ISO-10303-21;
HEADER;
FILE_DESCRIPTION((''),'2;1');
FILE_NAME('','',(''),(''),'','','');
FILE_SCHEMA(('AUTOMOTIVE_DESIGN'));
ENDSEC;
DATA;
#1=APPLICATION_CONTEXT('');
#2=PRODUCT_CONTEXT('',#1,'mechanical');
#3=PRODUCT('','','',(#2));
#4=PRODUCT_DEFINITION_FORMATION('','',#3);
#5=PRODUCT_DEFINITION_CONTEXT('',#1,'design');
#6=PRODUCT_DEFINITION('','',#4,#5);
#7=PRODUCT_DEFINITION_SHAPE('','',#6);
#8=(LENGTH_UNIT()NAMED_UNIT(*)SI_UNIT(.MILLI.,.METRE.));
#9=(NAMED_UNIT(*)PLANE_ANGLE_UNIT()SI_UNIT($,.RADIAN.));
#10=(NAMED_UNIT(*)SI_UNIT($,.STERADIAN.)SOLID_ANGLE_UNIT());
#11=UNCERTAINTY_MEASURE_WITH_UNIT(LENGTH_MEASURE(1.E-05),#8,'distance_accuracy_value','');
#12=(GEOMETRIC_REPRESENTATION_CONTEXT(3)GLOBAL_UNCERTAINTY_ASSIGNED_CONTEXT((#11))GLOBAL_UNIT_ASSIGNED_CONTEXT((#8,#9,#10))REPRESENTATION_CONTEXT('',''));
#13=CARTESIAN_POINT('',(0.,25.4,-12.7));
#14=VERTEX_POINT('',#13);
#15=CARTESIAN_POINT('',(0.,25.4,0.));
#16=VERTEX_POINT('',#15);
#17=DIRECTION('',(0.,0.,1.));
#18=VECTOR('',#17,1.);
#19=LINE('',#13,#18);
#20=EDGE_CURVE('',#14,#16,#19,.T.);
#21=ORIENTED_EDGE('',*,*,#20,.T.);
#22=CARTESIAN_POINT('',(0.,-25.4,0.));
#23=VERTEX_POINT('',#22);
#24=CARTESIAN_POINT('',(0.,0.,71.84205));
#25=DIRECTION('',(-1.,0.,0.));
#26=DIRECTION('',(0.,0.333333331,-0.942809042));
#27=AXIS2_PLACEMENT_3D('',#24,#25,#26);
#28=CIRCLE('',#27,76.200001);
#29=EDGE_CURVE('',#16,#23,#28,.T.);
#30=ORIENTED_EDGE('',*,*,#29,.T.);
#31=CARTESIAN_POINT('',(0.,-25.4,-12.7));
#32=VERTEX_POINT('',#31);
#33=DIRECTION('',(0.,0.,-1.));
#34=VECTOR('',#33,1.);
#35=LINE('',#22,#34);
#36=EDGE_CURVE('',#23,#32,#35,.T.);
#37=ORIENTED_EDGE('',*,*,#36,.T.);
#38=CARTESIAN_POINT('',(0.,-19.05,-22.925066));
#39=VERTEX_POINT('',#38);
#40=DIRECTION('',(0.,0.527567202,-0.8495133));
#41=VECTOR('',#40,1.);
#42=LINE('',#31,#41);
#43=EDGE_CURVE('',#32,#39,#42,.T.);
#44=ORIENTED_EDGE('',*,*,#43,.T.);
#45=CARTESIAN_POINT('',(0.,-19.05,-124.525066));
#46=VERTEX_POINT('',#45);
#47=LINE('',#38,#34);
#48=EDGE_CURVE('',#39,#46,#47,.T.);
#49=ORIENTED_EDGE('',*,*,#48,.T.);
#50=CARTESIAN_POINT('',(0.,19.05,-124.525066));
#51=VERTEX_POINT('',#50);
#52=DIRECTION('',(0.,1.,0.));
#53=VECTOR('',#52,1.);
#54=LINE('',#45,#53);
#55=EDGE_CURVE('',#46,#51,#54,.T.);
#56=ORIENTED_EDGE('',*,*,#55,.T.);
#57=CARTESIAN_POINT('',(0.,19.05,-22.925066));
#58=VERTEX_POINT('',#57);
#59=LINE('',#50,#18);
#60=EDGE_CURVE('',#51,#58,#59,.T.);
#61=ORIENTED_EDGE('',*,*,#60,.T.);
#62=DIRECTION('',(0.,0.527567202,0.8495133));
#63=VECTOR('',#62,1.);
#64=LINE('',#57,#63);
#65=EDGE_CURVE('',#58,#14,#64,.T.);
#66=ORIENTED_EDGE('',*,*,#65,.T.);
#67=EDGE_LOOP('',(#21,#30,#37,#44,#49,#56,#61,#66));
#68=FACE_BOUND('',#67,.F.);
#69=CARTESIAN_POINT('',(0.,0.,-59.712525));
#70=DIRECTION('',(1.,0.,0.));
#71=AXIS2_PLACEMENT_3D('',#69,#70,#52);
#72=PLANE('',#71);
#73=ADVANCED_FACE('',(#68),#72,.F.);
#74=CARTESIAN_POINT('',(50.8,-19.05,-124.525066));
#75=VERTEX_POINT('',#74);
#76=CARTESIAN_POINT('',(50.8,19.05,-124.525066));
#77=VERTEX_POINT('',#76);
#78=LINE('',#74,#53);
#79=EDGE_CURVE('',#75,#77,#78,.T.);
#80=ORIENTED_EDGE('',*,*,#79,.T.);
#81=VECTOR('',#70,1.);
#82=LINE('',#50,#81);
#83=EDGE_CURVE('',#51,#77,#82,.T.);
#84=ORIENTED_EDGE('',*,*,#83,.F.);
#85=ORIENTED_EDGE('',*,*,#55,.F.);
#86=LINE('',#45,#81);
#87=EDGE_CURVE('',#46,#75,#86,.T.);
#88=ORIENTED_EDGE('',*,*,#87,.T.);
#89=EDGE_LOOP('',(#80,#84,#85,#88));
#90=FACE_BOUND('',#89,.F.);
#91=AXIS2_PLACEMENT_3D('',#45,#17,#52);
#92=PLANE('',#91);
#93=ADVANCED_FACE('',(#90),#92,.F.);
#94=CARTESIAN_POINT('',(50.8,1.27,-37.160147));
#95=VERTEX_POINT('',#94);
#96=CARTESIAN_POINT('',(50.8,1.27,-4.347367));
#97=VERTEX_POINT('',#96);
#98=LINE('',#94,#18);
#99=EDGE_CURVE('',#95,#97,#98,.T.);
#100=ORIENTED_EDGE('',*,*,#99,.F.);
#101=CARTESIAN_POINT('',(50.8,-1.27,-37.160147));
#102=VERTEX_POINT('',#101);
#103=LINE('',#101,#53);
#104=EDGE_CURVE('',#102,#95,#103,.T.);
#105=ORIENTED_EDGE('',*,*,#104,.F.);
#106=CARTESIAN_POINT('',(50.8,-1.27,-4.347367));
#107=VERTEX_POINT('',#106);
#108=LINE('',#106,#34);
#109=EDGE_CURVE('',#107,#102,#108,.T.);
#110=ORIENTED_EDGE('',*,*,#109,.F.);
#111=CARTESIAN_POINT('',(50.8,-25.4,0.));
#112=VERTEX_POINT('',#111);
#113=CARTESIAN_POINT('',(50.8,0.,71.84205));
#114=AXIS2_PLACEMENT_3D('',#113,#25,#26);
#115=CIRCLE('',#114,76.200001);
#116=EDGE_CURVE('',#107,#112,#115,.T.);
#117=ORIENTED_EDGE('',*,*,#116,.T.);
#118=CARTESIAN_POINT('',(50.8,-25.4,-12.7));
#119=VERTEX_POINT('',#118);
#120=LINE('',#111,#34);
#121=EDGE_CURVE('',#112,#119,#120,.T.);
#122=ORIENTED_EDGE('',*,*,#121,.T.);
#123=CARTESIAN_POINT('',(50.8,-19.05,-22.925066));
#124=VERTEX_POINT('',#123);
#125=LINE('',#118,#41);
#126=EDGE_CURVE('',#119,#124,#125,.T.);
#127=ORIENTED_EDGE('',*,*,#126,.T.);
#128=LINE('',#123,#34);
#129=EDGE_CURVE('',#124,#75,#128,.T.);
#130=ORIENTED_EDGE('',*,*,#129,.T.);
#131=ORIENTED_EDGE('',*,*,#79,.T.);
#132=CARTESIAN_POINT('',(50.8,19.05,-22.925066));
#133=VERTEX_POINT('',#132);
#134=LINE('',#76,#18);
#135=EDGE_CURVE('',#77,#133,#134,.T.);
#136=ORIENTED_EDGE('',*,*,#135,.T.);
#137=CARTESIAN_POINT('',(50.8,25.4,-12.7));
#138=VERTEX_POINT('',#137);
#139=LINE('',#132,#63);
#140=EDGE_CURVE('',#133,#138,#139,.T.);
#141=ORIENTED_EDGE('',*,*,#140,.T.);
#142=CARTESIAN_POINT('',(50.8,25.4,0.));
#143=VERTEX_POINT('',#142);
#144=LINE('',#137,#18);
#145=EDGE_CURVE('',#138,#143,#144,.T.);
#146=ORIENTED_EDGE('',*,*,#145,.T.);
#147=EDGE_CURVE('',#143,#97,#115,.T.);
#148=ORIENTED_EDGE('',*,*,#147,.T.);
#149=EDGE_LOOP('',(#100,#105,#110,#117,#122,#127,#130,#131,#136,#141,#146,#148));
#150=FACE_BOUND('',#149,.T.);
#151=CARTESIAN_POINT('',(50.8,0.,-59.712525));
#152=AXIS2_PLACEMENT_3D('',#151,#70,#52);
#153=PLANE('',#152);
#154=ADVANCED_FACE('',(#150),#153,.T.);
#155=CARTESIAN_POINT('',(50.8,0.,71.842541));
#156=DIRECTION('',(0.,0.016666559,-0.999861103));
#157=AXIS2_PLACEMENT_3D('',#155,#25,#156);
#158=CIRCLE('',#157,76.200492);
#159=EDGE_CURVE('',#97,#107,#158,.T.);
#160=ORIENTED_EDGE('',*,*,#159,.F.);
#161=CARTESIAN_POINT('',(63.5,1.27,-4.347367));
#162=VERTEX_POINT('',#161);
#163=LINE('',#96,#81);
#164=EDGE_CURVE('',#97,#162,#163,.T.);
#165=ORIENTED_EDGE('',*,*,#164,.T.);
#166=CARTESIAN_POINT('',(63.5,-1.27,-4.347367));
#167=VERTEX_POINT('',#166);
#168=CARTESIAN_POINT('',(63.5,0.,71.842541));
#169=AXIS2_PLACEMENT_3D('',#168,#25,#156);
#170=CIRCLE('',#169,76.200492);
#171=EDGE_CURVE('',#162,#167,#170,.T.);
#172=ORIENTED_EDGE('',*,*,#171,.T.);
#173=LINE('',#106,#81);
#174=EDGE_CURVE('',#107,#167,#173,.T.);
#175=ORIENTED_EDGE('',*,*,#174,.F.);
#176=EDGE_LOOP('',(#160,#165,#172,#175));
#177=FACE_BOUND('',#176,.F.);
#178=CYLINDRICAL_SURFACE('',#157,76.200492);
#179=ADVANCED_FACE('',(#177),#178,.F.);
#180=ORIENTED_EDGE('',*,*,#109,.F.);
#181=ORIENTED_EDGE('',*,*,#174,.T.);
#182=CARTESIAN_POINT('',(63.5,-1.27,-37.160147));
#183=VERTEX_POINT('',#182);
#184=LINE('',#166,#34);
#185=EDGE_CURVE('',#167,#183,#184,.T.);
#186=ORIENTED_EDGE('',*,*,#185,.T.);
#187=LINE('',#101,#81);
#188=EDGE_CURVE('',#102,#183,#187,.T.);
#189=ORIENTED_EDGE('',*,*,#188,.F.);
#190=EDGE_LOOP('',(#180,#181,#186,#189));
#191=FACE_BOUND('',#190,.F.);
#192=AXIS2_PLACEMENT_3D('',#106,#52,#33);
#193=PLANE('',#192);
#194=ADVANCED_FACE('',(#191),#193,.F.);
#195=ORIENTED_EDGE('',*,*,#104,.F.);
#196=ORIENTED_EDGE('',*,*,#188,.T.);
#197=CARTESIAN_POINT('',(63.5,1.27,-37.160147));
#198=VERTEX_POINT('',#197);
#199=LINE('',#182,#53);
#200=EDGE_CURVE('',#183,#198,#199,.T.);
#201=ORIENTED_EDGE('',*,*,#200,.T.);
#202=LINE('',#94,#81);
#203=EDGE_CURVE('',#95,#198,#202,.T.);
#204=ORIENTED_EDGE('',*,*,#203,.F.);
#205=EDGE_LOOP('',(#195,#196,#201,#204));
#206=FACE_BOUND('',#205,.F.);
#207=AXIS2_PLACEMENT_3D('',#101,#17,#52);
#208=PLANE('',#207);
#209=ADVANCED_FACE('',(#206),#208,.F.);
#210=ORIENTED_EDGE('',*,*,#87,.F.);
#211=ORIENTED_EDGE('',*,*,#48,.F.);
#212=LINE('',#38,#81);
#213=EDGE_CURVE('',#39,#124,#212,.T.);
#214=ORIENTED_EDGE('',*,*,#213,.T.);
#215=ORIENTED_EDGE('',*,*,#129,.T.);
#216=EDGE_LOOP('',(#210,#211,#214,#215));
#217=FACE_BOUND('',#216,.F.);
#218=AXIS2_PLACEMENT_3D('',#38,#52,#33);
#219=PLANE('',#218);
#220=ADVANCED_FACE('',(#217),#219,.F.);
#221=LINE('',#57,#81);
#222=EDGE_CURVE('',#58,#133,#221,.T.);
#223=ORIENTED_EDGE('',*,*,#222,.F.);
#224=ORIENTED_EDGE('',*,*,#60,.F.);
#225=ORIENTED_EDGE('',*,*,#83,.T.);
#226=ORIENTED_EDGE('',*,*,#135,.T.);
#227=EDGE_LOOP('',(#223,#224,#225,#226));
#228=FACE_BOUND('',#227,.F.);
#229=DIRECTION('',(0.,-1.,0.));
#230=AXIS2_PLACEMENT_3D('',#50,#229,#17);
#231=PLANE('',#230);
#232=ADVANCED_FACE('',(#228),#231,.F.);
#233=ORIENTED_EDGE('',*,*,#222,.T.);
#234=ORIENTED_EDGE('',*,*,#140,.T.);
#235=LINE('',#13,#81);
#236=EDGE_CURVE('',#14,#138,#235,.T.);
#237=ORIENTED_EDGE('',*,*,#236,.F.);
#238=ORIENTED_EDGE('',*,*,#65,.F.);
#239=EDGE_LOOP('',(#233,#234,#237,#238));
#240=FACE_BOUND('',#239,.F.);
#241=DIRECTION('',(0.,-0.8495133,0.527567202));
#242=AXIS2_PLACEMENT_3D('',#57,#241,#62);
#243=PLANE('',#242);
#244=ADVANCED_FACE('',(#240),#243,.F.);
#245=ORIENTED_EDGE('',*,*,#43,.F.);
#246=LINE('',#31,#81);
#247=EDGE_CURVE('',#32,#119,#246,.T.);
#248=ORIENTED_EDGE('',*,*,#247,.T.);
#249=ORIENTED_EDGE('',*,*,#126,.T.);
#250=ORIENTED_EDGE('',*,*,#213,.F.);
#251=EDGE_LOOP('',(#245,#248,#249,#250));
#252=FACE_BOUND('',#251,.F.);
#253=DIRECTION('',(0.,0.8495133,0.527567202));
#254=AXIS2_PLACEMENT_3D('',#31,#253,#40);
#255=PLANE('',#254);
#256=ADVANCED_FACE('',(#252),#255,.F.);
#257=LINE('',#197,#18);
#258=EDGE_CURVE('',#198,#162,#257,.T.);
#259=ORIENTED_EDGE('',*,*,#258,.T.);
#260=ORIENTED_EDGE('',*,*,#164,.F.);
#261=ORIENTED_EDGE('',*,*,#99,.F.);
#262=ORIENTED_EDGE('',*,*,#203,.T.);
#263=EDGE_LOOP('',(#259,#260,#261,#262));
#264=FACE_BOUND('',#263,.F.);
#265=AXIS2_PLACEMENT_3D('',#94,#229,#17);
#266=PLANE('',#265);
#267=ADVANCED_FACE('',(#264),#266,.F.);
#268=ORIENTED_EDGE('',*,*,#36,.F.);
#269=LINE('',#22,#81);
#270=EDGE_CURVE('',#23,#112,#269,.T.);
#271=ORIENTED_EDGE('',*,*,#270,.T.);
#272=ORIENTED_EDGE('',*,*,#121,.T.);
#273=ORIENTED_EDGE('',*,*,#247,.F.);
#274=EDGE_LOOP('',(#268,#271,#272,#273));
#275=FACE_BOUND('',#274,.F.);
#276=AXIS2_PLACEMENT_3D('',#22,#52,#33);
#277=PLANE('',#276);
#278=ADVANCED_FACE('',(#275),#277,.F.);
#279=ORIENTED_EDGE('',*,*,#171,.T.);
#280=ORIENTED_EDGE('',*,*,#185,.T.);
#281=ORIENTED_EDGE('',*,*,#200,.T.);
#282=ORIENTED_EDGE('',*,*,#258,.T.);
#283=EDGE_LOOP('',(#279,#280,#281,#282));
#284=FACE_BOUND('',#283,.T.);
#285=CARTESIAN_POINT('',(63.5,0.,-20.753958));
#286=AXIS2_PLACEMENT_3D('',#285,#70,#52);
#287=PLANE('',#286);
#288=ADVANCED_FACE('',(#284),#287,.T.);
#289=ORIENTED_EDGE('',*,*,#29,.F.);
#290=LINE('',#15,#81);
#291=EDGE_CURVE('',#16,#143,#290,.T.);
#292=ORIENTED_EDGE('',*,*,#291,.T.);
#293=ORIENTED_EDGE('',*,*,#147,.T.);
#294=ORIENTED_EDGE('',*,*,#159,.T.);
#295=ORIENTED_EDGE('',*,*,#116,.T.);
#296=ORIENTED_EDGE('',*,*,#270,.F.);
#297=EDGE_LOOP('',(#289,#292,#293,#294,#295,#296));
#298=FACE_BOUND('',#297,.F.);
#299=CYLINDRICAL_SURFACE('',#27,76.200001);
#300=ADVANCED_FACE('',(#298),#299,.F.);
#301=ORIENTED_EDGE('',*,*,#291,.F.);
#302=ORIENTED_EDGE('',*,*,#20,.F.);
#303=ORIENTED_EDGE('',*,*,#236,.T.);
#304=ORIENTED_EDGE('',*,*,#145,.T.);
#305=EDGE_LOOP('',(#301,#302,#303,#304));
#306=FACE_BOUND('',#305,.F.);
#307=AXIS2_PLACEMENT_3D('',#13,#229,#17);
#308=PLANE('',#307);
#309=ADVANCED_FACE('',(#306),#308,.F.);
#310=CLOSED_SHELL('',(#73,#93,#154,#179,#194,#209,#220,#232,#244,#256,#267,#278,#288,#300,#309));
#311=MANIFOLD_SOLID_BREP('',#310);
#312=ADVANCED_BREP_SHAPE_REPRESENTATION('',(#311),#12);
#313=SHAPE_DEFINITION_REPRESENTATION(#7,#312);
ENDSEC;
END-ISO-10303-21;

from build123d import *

# Parameters (mm, degrees)
F1_DEPTH = 50.8
F3_DEPTH = 12.7


with BuildPart() as f1:
    # F0 (on Right) → F1 (new body)
    with BuildSketch(Plane.YZ):
        with BuildLine():
            ThreePointArc((25.4, 0), (0, -4.357951), (-25.4, 0))
            Line((-25.4, 0), (-25.4, -12.7))
            Line((-25.4, -12.7), (-19.05, -22.925066))
            Line((-19.05, -22.925066), (-19.05, -124.525066))
            Line((-19.05, -124.525066), (19.05, -124.525066))
            Line((19.05, -124.525066), (19.05, -22.925066))
            Line((19.05, -22.925066), (25.4, -12.7))
            Line((25.4, -12.7), (25.4, 0))
        make_face()
    extrude(amount=F1_DEPTH)

    # F2 (on face) → F3 (join)
    with BuildSketch(Plane.YZ.offset(50.8)):
        with BuildLine():
            ThreePointArc((1.27, -4.347367), (0, -4.357951), (-1.27, -4.347367))
            Line((-1.27, -4.347367), (-1.27, -37.160147))
            Line((-1.27, -37.160147), (1.27, -37.160147))
            Line((1.27, -37.160147), (1.27, -4.347367))
        make_face()
    extrude(amount=F3_DEPTH)


solid = f1.part
